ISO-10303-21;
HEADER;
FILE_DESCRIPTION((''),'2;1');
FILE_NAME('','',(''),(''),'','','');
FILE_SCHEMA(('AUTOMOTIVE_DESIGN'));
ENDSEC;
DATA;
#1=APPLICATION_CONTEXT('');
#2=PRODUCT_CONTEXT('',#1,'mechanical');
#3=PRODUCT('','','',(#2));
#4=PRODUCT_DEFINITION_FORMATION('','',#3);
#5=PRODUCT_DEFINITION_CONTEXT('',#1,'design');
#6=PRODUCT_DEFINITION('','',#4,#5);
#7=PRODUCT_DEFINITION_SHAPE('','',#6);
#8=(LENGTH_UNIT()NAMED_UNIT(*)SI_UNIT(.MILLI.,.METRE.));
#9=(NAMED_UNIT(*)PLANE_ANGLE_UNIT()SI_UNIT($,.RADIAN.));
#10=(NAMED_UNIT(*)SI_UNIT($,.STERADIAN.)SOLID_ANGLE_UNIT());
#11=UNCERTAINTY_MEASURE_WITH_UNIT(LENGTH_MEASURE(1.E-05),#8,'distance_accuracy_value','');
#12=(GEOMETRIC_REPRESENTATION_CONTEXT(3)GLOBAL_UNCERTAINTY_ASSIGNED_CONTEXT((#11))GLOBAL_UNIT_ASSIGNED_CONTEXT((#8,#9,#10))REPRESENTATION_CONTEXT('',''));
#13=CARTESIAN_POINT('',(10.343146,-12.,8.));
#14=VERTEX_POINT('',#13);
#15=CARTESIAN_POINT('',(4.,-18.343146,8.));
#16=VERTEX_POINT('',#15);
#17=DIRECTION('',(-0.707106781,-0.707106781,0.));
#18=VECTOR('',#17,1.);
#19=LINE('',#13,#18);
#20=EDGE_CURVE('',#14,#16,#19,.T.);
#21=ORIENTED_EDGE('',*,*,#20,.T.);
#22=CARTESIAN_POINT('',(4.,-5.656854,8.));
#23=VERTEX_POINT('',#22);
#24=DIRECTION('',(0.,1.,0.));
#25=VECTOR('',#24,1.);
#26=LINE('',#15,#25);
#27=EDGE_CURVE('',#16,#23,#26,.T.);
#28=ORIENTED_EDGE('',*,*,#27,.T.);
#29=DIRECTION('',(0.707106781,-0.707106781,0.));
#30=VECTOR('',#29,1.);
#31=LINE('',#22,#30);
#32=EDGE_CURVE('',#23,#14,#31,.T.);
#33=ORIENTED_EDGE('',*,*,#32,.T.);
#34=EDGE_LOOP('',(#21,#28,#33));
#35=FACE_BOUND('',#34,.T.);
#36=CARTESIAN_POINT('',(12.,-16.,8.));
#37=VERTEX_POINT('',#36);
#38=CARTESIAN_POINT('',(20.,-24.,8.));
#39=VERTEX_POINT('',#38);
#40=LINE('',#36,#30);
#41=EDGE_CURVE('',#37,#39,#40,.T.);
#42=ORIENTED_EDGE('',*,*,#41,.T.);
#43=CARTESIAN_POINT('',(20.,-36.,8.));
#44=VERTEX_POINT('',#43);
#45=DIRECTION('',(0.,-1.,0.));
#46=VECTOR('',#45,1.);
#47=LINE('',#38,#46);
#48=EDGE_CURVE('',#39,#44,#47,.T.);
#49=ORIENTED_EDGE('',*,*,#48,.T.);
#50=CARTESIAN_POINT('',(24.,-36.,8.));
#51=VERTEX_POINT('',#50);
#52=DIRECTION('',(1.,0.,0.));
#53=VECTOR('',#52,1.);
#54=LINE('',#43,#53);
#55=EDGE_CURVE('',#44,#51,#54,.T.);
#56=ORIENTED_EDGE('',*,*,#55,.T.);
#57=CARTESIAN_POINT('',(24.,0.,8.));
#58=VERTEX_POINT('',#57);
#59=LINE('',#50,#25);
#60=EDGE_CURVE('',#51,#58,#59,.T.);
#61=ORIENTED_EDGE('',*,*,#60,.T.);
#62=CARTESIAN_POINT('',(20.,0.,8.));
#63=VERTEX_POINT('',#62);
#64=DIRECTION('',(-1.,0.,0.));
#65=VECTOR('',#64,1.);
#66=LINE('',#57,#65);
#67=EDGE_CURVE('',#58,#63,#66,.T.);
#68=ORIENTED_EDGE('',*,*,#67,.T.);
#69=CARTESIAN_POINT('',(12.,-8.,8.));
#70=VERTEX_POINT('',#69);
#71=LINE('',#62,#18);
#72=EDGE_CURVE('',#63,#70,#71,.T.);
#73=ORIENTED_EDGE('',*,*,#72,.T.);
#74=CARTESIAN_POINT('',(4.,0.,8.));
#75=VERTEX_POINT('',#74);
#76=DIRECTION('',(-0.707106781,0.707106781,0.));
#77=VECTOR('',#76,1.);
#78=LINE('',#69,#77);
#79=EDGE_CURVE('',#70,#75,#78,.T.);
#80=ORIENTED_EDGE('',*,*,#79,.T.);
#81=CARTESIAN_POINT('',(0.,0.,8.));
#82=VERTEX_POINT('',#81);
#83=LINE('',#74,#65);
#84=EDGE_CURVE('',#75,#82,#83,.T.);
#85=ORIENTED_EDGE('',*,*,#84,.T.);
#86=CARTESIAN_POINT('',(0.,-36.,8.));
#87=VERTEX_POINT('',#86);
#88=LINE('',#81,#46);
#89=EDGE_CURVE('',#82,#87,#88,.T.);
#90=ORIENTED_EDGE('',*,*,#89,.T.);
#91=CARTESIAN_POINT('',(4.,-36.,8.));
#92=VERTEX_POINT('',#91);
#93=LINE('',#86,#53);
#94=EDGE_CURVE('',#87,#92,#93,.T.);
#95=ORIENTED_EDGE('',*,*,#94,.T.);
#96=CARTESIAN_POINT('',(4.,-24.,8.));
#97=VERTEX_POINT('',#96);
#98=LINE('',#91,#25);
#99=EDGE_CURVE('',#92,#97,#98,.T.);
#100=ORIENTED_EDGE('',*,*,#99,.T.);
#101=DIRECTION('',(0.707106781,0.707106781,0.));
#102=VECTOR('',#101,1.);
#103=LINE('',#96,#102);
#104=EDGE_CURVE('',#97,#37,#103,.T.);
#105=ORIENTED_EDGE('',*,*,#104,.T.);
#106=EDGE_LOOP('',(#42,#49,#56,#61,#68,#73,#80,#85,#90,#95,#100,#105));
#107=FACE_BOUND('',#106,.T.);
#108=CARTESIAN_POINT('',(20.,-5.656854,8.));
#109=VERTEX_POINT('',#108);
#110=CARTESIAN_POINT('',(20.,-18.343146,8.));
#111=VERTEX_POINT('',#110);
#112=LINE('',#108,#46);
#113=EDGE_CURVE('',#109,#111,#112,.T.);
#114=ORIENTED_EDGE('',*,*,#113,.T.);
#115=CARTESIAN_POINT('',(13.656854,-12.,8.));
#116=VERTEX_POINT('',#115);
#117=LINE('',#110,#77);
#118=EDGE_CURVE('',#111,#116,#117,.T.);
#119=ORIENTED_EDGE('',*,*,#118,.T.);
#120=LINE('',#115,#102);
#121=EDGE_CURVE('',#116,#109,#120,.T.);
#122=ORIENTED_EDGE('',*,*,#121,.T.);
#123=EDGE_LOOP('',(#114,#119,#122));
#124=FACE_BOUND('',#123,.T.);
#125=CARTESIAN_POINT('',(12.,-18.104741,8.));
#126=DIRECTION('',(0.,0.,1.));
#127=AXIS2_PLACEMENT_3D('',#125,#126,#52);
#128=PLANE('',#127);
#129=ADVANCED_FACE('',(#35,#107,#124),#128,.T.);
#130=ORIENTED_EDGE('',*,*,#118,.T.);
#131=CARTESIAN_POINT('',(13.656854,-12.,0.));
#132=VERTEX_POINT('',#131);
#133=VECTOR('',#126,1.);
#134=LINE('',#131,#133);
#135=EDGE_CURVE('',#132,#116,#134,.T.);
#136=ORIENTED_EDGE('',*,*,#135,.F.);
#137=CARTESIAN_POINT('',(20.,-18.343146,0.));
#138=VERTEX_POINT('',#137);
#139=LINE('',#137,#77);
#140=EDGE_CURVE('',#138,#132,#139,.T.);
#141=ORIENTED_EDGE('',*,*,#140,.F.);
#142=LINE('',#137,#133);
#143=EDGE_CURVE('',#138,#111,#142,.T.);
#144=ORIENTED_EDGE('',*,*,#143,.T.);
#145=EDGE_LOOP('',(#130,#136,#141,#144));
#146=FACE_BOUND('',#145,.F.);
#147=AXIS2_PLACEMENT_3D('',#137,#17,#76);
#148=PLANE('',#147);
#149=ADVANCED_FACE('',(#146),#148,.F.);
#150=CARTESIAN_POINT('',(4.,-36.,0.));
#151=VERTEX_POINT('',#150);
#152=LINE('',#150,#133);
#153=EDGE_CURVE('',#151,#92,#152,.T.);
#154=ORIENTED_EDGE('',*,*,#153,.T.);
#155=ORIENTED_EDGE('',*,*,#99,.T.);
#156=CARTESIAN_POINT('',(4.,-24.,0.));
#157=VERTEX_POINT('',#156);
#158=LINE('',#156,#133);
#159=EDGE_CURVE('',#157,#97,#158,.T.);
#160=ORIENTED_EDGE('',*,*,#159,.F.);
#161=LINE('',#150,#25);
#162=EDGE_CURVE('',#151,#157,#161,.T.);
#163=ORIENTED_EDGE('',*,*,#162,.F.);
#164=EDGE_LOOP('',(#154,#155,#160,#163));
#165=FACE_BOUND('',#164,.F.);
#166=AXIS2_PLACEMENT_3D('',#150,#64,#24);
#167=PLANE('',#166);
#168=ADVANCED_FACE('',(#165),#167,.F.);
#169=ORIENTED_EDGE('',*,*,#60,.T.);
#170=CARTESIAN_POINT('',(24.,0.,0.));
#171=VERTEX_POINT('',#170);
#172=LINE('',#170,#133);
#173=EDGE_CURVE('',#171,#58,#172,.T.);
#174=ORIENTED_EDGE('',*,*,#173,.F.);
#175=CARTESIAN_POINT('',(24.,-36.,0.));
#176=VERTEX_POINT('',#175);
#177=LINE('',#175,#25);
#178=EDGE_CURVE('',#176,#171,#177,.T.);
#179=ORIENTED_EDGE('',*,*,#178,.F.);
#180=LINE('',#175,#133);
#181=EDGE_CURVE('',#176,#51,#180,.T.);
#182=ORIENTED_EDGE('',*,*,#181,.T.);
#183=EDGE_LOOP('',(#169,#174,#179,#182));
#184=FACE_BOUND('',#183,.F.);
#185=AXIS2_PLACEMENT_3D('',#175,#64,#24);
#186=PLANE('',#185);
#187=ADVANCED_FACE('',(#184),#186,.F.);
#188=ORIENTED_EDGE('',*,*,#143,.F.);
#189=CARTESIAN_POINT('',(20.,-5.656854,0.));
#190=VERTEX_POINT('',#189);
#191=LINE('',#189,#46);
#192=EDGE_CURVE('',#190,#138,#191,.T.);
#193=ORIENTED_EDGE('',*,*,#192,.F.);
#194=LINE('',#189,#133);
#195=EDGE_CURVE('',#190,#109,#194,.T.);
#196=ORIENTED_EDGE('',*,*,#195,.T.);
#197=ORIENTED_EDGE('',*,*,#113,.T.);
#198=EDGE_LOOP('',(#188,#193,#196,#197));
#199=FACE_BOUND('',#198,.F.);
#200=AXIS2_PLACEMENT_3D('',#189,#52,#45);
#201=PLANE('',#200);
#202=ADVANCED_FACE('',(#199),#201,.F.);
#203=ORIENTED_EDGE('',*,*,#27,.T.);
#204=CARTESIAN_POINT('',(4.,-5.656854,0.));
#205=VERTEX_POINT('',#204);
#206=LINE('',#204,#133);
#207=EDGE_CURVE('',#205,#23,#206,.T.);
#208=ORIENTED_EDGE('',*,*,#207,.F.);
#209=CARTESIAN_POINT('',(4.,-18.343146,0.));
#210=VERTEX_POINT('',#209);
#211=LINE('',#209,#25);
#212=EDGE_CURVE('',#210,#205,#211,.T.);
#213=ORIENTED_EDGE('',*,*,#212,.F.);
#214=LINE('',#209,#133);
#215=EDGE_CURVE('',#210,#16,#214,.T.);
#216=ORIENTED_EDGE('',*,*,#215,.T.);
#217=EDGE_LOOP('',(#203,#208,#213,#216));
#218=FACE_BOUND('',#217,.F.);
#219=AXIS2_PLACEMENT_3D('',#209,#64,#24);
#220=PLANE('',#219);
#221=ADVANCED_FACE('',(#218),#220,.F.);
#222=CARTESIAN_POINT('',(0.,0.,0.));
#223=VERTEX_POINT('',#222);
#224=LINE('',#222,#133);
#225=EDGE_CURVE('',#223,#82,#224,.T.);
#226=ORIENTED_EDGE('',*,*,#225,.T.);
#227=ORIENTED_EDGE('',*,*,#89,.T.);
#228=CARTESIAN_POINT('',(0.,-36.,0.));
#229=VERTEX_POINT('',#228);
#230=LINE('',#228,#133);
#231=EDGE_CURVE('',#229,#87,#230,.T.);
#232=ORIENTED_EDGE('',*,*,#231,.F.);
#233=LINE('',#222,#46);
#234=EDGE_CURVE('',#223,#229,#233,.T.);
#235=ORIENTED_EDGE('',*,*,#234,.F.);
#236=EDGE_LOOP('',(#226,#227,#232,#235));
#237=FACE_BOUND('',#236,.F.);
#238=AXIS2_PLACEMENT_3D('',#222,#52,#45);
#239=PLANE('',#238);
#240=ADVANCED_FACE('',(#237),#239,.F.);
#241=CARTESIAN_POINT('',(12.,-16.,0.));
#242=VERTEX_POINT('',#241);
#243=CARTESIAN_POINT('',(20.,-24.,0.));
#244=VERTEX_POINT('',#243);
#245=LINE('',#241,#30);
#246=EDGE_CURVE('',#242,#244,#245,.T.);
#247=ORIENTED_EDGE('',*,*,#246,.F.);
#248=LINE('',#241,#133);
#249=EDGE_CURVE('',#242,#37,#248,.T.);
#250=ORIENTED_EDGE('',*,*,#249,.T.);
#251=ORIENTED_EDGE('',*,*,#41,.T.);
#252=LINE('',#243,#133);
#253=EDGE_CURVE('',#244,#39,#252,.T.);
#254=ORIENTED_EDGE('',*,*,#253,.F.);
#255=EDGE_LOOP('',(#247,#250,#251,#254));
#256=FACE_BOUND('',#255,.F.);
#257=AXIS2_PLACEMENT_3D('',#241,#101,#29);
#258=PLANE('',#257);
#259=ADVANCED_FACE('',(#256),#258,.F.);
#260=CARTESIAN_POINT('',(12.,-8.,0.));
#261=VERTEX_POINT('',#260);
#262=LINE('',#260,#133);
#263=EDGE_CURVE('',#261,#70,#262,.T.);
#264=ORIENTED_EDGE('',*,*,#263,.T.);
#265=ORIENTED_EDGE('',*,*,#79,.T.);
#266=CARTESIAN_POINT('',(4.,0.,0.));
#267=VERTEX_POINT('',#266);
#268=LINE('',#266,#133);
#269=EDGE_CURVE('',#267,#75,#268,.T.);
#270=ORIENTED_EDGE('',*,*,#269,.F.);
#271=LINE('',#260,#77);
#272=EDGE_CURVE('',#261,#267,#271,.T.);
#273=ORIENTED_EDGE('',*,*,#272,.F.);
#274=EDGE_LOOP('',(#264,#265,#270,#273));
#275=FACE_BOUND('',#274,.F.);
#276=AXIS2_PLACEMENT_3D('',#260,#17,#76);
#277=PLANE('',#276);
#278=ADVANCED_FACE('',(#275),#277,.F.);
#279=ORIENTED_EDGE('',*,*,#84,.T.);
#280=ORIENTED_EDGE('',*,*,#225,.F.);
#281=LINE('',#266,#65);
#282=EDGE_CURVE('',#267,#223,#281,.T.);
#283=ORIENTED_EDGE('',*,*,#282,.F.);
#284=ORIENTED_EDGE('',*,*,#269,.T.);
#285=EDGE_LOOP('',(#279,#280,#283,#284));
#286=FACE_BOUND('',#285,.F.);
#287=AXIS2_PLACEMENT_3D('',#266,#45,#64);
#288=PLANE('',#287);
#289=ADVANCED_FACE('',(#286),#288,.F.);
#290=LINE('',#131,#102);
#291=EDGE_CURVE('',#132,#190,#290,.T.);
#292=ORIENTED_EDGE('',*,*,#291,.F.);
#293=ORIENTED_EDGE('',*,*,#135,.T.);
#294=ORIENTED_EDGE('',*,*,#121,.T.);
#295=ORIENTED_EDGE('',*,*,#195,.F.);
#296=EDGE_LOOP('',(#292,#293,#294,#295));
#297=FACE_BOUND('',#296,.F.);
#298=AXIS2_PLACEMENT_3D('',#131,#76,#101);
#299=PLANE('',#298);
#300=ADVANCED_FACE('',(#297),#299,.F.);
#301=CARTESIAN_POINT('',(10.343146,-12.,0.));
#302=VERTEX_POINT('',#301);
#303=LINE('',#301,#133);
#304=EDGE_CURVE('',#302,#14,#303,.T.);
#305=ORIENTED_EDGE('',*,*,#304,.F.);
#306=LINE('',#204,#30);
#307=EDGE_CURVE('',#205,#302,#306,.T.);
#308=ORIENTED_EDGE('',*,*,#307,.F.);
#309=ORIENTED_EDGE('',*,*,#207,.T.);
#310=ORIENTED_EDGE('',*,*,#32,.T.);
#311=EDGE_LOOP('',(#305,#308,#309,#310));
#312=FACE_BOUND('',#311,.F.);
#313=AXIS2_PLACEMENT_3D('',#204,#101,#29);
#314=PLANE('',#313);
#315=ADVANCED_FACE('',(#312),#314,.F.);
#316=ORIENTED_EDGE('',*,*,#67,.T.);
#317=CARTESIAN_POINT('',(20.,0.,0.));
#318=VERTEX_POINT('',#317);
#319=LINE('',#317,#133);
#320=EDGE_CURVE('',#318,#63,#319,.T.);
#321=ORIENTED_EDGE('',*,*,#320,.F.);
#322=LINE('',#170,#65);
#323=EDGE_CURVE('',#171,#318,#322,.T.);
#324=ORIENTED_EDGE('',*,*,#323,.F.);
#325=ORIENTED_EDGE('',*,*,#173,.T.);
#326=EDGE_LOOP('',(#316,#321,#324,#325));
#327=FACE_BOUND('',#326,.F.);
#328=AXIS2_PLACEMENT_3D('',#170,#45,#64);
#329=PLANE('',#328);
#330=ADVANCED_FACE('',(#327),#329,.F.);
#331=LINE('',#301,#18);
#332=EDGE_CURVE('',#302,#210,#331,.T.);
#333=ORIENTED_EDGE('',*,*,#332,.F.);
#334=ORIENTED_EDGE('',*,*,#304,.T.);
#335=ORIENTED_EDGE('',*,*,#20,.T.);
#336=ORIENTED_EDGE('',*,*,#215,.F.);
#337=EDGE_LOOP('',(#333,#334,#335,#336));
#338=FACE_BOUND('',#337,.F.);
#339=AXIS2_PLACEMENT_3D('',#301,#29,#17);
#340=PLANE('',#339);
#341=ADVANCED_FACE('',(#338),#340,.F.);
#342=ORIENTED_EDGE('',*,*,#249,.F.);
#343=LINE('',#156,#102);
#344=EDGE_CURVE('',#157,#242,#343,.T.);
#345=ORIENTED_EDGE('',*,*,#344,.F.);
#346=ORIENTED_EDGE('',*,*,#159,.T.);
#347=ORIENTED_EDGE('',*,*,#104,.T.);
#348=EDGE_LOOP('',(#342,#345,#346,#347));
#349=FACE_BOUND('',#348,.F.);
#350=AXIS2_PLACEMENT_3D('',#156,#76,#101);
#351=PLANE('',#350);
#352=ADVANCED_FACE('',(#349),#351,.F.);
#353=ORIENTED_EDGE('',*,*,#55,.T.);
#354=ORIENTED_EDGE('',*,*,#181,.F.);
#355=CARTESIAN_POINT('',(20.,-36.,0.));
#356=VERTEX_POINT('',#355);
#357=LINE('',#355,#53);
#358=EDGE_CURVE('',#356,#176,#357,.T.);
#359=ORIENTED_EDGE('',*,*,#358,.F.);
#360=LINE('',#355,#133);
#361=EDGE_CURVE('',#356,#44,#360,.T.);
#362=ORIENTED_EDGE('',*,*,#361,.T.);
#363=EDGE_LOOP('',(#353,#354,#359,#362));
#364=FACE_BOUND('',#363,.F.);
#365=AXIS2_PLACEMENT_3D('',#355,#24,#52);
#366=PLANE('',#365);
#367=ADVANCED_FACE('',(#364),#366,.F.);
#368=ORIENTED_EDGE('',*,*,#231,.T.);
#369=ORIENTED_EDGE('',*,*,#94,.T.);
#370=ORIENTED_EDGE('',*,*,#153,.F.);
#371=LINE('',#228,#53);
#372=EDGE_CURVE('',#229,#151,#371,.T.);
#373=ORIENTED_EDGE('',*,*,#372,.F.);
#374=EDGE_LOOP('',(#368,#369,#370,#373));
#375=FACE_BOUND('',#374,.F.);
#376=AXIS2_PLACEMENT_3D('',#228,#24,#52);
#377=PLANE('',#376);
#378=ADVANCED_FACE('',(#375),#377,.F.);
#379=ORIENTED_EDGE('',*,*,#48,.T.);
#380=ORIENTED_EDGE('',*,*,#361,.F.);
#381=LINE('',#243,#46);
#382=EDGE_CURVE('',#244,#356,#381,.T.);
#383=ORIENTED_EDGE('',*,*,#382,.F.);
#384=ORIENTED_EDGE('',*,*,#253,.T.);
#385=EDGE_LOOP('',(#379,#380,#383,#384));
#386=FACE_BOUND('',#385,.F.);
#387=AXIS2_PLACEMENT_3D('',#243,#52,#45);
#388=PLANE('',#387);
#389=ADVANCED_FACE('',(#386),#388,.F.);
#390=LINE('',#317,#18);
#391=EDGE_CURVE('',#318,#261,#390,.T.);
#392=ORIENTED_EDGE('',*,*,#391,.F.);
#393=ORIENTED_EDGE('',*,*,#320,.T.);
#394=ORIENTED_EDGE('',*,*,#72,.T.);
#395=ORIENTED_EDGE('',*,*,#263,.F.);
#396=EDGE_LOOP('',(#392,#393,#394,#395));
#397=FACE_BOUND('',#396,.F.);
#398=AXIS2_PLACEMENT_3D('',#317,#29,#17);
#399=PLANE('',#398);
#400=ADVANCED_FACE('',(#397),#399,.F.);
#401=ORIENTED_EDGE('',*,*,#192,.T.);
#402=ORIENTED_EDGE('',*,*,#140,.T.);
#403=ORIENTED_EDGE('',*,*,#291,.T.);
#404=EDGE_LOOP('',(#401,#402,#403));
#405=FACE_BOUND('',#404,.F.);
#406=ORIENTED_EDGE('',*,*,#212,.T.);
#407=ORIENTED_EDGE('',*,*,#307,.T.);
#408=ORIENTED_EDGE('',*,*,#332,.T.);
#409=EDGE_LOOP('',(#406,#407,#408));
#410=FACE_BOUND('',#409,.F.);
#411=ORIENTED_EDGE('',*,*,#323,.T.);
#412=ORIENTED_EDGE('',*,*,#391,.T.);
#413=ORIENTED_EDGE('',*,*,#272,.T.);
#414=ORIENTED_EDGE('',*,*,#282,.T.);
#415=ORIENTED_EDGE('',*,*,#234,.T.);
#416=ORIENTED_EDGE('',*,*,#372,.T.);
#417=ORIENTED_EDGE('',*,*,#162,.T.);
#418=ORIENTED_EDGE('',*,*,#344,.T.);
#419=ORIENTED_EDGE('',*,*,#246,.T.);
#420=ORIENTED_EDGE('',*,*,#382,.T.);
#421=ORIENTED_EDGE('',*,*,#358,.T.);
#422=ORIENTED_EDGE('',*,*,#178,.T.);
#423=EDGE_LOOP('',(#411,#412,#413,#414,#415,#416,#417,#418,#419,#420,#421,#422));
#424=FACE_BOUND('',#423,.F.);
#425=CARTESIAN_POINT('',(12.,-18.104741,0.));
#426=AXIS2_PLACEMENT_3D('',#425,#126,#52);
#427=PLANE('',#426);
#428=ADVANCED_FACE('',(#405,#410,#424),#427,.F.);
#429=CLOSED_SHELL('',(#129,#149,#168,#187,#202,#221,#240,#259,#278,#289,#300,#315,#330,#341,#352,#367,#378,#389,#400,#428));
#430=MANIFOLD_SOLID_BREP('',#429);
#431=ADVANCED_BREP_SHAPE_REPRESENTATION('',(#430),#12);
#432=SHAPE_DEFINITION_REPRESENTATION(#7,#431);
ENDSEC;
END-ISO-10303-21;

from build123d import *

# Parameters (mm, degrees)
F1_DEPTH = 8


with BuildPart() as f1:
    # F0 (on Top) → F1 (new body)
    with BuildSketch(Plane.XY):
        Polygon((4, -36), (4, -24), (12, -16), (20, -24), (20, -36), (24, -36), (24, 0), (20, 0), (12, -8), (4, 0), (0, 0), (0, -36), align=None)
        Polygon((10.343146, -12), (4, -18.343146), (4, -5.656854), align=None, mode=Mode.SUBTRACT)
        Polygon((20, -18.343146), (13.656854, -12), (20, -5.656854), align=None, mode=Mode.SUBTRACT)
    extrude(amount=F1_DEPTH)


solid = f1.part
